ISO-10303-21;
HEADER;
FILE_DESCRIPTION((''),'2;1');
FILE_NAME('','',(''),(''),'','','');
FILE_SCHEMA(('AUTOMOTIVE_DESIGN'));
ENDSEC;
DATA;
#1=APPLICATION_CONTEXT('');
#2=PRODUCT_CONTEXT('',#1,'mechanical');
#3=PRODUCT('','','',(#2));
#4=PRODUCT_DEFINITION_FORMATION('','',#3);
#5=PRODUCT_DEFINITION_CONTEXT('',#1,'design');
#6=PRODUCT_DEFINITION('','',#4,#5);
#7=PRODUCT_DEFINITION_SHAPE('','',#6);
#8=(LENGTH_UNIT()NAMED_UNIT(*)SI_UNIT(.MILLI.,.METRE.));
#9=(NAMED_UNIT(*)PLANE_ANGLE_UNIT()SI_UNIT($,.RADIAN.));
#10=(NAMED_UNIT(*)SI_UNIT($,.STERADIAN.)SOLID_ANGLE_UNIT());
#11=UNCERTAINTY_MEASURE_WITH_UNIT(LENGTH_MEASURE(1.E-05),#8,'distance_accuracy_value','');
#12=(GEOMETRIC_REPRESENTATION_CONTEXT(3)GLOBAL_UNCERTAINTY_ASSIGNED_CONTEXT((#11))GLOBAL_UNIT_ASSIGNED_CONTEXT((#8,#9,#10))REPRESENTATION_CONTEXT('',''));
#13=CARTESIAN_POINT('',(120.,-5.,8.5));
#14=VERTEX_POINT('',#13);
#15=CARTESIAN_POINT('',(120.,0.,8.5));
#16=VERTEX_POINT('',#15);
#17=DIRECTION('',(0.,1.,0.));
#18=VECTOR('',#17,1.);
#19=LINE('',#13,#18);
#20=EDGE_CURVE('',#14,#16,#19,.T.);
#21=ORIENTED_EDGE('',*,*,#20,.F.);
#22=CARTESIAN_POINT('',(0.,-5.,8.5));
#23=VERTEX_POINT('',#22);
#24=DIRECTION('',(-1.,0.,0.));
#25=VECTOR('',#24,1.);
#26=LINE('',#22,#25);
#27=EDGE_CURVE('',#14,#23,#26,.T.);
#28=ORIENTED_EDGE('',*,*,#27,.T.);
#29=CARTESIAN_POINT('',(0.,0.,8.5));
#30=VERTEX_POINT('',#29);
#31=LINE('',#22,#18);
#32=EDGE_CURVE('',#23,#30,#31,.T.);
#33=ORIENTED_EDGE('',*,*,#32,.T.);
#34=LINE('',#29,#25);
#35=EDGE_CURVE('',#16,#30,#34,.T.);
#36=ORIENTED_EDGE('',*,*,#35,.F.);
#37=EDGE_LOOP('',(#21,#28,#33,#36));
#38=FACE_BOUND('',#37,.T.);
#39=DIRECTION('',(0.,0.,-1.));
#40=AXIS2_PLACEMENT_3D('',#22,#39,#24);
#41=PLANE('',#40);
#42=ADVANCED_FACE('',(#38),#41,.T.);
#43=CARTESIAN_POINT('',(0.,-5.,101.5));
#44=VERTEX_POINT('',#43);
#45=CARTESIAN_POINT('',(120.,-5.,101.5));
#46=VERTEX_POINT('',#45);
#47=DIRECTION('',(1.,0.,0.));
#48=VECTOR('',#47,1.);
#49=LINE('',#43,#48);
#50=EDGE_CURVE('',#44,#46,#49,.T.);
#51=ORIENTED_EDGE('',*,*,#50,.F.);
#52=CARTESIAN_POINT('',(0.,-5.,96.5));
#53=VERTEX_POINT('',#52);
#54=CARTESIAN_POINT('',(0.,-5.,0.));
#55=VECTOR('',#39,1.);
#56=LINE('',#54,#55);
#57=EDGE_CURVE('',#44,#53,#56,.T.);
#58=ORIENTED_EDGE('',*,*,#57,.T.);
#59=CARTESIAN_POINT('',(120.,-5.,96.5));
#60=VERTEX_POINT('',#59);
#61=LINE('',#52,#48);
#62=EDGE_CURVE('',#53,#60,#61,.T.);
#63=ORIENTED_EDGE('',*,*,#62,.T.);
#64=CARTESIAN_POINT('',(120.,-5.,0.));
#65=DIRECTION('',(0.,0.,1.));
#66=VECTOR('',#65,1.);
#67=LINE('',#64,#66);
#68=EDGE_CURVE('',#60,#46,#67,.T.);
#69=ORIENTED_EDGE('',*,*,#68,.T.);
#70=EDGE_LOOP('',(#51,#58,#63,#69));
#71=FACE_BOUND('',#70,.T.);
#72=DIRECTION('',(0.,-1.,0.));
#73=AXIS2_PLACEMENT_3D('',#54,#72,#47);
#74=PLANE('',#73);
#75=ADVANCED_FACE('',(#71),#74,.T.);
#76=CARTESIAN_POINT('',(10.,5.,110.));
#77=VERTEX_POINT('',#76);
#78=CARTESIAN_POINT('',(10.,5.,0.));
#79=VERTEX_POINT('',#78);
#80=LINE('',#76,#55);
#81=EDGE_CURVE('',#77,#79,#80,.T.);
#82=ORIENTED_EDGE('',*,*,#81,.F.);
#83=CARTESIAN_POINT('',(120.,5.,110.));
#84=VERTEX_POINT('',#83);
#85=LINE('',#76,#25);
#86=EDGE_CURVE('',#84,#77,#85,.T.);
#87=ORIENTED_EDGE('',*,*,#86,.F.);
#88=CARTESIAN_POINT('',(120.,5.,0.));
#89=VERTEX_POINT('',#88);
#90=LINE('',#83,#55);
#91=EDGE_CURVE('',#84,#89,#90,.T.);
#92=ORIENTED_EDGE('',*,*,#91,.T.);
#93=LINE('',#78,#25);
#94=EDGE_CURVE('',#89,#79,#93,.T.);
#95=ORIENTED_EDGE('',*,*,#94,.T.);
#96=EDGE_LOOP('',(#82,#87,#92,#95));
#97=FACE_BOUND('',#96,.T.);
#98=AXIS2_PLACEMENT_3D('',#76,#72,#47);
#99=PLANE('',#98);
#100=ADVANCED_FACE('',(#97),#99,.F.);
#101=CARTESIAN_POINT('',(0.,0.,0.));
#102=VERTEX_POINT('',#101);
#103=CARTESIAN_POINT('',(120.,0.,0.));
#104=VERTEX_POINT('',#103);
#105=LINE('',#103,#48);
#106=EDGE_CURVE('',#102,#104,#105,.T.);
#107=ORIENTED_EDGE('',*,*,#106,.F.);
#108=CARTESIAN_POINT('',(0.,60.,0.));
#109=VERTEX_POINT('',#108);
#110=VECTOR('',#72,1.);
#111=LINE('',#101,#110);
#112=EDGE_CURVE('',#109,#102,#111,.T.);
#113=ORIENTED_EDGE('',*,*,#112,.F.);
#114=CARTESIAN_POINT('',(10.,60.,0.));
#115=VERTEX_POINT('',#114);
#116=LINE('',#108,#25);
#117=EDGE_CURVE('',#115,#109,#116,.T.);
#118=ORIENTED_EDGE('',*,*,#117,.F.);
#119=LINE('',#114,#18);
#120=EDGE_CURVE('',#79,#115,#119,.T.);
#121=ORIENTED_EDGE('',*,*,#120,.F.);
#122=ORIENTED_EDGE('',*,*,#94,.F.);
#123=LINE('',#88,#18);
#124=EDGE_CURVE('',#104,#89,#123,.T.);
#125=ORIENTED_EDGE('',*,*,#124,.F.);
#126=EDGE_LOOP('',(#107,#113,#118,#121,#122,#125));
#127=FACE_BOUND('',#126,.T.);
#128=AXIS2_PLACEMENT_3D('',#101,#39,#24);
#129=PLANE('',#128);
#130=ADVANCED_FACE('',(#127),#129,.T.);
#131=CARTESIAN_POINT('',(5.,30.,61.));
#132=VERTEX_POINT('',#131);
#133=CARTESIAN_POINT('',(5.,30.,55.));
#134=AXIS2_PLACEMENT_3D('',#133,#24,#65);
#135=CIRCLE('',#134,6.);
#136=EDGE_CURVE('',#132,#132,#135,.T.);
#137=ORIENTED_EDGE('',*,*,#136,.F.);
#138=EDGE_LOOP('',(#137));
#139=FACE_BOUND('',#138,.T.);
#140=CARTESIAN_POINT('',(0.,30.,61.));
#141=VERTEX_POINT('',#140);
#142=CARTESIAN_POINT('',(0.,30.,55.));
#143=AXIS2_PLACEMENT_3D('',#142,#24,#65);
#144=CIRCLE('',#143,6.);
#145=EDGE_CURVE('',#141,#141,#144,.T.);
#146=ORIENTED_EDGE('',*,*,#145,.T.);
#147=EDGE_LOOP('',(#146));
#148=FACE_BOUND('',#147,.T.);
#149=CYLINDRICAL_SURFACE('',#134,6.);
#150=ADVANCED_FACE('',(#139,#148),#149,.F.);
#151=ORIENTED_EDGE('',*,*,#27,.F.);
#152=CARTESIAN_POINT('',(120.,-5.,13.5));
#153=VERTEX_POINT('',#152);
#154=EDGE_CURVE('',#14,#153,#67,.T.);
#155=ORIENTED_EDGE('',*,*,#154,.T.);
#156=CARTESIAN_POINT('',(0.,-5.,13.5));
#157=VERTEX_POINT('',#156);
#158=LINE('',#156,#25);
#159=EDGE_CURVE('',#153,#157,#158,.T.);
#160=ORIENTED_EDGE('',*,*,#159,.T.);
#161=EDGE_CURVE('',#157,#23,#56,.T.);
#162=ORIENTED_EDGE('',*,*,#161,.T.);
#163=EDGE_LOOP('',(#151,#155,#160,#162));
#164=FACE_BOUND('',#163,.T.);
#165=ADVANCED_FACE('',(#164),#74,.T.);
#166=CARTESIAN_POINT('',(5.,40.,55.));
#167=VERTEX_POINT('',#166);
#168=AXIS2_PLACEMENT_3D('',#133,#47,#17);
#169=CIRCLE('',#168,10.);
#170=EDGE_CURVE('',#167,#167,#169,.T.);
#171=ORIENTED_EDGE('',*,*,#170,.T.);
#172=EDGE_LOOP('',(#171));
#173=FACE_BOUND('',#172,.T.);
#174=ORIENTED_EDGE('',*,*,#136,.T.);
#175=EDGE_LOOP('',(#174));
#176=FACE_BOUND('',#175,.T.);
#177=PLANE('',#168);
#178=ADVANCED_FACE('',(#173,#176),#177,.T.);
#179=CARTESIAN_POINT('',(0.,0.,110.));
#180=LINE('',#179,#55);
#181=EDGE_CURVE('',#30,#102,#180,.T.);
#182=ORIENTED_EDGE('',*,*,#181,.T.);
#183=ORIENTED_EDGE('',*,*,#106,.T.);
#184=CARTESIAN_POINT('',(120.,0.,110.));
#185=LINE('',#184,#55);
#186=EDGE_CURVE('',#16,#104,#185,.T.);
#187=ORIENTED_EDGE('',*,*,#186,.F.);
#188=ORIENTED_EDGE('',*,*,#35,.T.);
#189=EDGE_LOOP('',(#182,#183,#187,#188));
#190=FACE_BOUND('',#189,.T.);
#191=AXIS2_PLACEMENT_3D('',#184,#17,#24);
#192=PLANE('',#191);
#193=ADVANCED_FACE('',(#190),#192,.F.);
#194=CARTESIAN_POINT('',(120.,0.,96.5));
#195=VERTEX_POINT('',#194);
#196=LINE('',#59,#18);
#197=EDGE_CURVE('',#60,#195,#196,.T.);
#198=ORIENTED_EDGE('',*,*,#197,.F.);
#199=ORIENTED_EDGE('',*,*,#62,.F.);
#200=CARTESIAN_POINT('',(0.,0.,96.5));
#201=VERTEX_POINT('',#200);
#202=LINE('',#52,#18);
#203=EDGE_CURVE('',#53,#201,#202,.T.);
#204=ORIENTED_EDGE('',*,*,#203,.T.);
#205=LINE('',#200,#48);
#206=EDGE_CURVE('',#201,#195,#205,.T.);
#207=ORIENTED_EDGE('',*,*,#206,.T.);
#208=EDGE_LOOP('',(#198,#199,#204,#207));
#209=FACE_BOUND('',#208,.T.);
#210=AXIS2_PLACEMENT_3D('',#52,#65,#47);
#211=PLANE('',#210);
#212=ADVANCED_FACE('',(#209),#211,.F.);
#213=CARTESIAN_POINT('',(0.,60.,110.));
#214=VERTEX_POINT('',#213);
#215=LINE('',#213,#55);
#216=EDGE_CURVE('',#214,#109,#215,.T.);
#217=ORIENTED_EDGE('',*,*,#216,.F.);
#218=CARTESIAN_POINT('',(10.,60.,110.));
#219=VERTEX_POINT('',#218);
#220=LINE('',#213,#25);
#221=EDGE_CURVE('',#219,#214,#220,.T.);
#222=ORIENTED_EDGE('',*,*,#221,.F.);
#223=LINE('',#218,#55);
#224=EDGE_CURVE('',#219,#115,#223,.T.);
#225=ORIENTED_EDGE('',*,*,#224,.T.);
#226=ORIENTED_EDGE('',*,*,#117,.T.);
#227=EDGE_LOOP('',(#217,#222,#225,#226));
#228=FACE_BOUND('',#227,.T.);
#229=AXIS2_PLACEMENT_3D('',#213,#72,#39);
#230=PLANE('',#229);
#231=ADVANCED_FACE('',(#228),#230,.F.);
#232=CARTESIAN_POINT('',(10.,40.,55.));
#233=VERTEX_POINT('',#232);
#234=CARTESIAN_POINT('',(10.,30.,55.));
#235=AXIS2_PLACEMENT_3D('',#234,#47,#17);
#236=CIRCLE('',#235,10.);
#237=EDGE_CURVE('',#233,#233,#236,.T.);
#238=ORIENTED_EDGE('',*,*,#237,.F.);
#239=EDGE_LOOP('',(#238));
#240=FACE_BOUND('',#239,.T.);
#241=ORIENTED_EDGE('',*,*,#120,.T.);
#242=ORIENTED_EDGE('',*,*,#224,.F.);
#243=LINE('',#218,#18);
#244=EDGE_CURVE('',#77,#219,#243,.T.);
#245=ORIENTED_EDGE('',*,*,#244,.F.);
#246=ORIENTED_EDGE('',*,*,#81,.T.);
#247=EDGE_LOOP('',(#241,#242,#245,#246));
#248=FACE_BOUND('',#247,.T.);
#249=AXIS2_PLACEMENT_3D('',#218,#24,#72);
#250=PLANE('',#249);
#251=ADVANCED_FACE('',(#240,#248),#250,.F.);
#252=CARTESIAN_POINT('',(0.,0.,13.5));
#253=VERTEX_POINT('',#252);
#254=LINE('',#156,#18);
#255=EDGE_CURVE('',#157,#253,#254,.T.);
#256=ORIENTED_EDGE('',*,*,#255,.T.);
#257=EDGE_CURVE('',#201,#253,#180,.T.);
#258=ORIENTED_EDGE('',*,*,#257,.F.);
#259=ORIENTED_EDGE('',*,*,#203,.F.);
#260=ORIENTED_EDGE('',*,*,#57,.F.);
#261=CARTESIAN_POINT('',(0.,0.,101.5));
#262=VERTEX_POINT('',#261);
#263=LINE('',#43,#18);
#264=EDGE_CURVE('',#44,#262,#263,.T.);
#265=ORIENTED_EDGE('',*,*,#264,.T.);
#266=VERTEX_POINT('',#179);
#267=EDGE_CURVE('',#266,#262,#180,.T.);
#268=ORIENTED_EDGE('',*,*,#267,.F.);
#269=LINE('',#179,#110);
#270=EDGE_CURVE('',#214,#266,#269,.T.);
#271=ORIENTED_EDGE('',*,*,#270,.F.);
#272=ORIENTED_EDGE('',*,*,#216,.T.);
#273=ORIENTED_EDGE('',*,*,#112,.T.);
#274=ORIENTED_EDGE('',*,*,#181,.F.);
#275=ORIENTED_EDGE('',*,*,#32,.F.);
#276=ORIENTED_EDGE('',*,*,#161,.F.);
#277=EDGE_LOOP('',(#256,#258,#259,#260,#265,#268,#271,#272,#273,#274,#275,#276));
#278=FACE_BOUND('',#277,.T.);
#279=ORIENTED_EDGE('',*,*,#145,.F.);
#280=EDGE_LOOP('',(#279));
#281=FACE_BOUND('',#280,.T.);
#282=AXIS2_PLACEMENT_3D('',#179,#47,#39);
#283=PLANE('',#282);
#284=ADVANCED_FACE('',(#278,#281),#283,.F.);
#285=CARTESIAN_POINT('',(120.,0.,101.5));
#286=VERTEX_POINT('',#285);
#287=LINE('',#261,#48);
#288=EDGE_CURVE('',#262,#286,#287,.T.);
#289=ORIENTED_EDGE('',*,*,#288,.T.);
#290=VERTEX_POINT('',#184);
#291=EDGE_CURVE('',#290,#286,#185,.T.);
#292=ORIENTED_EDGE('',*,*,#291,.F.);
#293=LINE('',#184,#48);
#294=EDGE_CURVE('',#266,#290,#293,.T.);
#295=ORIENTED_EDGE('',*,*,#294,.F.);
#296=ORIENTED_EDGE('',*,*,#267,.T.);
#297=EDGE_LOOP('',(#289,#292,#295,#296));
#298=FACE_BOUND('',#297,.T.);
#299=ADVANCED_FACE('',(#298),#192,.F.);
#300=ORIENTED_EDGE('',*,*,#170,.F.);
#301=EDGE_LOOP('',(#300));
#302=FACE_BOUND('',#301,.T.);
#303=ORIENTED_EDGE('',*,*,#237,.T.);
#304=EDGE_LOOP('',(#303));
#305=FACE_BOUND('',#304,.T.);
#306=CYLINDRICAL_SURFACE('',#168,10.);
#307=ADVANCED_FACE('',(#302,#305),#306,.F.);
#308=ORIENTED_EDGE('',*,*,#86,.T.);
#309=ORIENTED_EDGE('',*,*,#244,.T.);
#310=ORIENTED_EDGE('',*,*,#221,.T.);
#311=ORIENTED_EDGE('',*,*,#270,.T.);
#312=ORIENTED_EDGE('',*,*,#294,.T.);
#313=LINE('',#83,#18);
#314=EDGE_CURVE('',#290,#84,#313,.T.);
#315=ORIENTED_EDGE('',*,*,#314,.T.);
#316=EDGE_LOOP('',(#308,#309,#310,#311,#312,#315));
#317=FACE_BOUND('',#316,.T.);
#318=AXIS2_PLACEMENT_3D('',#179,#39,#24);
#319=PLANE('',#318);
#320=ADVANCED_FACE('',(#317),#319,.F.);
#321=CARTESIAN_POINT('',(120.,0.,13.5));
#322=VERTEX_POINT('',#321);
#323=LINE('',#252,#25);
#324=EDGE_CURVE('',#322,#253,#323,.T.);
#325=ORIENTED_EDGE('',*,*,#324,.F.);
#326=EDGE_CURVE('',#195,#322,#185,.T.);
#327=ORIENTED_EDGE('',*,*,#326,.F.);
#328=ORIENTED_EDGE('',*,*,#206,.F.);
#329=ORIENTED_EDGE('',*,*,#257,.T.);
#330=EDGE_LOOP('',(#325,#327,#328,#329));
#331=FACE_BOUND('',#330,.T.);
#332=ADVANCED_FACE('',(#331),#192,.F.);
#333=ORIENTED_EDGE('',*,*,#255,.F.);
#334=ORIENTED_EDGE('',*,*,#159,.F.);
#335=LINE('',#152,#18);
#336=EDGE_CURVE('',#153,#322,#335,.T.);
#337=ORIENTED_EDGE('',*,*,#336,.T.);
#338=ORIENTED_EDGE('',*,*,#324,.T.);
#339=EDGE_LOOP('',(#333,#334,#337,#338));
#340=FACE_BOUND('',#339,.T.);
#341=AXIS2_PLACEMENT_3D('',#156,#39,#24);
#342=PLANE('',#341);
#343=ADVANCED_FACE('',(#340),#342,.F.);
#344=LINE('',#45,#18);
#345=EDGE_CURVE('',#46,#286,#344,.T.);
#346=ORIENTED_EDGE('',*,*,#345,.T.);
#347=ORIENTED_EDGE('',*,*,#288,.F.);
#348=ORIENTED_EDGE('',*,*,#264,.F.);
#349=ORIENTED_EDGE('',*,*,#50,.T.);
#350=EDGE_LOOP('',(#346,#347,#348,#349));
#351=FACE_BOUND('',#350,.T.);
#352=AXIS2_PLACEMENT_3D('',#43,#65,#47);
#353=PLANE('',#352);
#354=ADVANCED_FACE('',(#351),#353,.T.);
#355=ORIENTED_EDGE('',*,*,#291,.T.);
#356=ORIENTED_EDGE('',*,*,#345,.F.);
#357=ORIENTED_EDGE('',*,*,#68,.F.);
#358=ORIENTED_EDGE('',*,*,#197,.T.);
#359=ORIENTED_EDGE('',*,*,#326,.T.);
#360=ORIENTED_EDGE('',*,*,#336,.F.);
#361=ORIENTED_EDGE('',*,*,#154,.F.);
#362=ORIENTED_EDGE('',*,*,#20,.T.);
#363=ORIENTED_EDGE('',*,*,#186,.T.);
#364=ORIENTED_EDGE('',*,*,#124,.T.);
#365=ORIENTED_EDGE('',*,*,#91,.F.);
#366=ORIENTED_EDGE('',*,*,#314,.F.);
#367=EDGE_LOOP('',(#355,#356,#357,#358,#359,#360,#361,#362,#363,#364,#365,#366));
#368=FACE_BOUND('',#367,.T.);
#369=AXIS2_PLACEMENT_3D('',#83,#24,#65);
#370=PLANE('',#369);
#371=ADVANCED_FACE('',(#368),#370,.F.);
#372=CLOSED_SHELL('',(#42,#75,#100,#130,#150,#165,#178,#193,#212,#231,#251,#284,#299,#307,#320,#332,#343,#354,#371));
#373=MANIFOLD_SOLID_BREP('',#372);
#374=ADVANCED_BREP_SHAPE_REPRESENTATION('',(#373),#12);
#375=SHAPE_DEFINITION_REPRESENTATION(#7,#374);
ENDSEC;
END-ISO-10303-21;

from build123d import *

# Parameters (mm, degrees)
BOSS_EXTRUDE2_DEPTH = 110
BOSS_EXTRUDE3_DEPTH = 5
SKETCH4_R           = 6
CUT_EXTRUDE1_DEPTH  = 5
SKETCH5_R           = 10
CUT_EXTRUDE2_DEPTH  = 5


with BuildPart() as part:
    # Sketch2 → Boss-Extrude2 (new body)
    with BuildSketch(Plane.XY):
        Polygon((0, 0), (0, 60), (10, 60), (10, 5), (120, 5), (120, 0), align=None)
    extrude(amount=BOSS_EXTRUDE2_DEPTH)

    # Sketch3 → Boss-Extrude3 (add)
    with BuildSketch(Plane.XZ):
        Polygon((60, 101.5), (0, 101.5), (0, 96.5), (120, 96.5), (120, 101.5), align=None)
        Polygon((120, 13.5), (0, 13.5), (0, 8.5), (60, 8.5), (120, 8.5), align=None)
    extrude(amount=BOSS_EXTRUDE3_DEPTH)

    # Sketch4 → Cut-Extrude1 (cut)
    with BuildSketch(Plane.ZY):
        with Locations((55, 30)):
            Circle(SKETCH4_R)
    extrude(amount=-CUT_EXTRUDE1_DEPTH, mode=Mode.SUBTRACT)

    # Sketch5 → Cut-Extrude2 (cut)
    with BuildSketch(Plane(origin=(10, 0, 0), x_dir=(0, 0, -1), z_dir=(1, 0, 0))):
        with Locations((-55, 30)):
            Circle(SKETCH5_R)
    extrude(amount=-CUT_EXTRUDE2_DEPTH, mode=Mode.SUBTRACT)


solid = part.part
